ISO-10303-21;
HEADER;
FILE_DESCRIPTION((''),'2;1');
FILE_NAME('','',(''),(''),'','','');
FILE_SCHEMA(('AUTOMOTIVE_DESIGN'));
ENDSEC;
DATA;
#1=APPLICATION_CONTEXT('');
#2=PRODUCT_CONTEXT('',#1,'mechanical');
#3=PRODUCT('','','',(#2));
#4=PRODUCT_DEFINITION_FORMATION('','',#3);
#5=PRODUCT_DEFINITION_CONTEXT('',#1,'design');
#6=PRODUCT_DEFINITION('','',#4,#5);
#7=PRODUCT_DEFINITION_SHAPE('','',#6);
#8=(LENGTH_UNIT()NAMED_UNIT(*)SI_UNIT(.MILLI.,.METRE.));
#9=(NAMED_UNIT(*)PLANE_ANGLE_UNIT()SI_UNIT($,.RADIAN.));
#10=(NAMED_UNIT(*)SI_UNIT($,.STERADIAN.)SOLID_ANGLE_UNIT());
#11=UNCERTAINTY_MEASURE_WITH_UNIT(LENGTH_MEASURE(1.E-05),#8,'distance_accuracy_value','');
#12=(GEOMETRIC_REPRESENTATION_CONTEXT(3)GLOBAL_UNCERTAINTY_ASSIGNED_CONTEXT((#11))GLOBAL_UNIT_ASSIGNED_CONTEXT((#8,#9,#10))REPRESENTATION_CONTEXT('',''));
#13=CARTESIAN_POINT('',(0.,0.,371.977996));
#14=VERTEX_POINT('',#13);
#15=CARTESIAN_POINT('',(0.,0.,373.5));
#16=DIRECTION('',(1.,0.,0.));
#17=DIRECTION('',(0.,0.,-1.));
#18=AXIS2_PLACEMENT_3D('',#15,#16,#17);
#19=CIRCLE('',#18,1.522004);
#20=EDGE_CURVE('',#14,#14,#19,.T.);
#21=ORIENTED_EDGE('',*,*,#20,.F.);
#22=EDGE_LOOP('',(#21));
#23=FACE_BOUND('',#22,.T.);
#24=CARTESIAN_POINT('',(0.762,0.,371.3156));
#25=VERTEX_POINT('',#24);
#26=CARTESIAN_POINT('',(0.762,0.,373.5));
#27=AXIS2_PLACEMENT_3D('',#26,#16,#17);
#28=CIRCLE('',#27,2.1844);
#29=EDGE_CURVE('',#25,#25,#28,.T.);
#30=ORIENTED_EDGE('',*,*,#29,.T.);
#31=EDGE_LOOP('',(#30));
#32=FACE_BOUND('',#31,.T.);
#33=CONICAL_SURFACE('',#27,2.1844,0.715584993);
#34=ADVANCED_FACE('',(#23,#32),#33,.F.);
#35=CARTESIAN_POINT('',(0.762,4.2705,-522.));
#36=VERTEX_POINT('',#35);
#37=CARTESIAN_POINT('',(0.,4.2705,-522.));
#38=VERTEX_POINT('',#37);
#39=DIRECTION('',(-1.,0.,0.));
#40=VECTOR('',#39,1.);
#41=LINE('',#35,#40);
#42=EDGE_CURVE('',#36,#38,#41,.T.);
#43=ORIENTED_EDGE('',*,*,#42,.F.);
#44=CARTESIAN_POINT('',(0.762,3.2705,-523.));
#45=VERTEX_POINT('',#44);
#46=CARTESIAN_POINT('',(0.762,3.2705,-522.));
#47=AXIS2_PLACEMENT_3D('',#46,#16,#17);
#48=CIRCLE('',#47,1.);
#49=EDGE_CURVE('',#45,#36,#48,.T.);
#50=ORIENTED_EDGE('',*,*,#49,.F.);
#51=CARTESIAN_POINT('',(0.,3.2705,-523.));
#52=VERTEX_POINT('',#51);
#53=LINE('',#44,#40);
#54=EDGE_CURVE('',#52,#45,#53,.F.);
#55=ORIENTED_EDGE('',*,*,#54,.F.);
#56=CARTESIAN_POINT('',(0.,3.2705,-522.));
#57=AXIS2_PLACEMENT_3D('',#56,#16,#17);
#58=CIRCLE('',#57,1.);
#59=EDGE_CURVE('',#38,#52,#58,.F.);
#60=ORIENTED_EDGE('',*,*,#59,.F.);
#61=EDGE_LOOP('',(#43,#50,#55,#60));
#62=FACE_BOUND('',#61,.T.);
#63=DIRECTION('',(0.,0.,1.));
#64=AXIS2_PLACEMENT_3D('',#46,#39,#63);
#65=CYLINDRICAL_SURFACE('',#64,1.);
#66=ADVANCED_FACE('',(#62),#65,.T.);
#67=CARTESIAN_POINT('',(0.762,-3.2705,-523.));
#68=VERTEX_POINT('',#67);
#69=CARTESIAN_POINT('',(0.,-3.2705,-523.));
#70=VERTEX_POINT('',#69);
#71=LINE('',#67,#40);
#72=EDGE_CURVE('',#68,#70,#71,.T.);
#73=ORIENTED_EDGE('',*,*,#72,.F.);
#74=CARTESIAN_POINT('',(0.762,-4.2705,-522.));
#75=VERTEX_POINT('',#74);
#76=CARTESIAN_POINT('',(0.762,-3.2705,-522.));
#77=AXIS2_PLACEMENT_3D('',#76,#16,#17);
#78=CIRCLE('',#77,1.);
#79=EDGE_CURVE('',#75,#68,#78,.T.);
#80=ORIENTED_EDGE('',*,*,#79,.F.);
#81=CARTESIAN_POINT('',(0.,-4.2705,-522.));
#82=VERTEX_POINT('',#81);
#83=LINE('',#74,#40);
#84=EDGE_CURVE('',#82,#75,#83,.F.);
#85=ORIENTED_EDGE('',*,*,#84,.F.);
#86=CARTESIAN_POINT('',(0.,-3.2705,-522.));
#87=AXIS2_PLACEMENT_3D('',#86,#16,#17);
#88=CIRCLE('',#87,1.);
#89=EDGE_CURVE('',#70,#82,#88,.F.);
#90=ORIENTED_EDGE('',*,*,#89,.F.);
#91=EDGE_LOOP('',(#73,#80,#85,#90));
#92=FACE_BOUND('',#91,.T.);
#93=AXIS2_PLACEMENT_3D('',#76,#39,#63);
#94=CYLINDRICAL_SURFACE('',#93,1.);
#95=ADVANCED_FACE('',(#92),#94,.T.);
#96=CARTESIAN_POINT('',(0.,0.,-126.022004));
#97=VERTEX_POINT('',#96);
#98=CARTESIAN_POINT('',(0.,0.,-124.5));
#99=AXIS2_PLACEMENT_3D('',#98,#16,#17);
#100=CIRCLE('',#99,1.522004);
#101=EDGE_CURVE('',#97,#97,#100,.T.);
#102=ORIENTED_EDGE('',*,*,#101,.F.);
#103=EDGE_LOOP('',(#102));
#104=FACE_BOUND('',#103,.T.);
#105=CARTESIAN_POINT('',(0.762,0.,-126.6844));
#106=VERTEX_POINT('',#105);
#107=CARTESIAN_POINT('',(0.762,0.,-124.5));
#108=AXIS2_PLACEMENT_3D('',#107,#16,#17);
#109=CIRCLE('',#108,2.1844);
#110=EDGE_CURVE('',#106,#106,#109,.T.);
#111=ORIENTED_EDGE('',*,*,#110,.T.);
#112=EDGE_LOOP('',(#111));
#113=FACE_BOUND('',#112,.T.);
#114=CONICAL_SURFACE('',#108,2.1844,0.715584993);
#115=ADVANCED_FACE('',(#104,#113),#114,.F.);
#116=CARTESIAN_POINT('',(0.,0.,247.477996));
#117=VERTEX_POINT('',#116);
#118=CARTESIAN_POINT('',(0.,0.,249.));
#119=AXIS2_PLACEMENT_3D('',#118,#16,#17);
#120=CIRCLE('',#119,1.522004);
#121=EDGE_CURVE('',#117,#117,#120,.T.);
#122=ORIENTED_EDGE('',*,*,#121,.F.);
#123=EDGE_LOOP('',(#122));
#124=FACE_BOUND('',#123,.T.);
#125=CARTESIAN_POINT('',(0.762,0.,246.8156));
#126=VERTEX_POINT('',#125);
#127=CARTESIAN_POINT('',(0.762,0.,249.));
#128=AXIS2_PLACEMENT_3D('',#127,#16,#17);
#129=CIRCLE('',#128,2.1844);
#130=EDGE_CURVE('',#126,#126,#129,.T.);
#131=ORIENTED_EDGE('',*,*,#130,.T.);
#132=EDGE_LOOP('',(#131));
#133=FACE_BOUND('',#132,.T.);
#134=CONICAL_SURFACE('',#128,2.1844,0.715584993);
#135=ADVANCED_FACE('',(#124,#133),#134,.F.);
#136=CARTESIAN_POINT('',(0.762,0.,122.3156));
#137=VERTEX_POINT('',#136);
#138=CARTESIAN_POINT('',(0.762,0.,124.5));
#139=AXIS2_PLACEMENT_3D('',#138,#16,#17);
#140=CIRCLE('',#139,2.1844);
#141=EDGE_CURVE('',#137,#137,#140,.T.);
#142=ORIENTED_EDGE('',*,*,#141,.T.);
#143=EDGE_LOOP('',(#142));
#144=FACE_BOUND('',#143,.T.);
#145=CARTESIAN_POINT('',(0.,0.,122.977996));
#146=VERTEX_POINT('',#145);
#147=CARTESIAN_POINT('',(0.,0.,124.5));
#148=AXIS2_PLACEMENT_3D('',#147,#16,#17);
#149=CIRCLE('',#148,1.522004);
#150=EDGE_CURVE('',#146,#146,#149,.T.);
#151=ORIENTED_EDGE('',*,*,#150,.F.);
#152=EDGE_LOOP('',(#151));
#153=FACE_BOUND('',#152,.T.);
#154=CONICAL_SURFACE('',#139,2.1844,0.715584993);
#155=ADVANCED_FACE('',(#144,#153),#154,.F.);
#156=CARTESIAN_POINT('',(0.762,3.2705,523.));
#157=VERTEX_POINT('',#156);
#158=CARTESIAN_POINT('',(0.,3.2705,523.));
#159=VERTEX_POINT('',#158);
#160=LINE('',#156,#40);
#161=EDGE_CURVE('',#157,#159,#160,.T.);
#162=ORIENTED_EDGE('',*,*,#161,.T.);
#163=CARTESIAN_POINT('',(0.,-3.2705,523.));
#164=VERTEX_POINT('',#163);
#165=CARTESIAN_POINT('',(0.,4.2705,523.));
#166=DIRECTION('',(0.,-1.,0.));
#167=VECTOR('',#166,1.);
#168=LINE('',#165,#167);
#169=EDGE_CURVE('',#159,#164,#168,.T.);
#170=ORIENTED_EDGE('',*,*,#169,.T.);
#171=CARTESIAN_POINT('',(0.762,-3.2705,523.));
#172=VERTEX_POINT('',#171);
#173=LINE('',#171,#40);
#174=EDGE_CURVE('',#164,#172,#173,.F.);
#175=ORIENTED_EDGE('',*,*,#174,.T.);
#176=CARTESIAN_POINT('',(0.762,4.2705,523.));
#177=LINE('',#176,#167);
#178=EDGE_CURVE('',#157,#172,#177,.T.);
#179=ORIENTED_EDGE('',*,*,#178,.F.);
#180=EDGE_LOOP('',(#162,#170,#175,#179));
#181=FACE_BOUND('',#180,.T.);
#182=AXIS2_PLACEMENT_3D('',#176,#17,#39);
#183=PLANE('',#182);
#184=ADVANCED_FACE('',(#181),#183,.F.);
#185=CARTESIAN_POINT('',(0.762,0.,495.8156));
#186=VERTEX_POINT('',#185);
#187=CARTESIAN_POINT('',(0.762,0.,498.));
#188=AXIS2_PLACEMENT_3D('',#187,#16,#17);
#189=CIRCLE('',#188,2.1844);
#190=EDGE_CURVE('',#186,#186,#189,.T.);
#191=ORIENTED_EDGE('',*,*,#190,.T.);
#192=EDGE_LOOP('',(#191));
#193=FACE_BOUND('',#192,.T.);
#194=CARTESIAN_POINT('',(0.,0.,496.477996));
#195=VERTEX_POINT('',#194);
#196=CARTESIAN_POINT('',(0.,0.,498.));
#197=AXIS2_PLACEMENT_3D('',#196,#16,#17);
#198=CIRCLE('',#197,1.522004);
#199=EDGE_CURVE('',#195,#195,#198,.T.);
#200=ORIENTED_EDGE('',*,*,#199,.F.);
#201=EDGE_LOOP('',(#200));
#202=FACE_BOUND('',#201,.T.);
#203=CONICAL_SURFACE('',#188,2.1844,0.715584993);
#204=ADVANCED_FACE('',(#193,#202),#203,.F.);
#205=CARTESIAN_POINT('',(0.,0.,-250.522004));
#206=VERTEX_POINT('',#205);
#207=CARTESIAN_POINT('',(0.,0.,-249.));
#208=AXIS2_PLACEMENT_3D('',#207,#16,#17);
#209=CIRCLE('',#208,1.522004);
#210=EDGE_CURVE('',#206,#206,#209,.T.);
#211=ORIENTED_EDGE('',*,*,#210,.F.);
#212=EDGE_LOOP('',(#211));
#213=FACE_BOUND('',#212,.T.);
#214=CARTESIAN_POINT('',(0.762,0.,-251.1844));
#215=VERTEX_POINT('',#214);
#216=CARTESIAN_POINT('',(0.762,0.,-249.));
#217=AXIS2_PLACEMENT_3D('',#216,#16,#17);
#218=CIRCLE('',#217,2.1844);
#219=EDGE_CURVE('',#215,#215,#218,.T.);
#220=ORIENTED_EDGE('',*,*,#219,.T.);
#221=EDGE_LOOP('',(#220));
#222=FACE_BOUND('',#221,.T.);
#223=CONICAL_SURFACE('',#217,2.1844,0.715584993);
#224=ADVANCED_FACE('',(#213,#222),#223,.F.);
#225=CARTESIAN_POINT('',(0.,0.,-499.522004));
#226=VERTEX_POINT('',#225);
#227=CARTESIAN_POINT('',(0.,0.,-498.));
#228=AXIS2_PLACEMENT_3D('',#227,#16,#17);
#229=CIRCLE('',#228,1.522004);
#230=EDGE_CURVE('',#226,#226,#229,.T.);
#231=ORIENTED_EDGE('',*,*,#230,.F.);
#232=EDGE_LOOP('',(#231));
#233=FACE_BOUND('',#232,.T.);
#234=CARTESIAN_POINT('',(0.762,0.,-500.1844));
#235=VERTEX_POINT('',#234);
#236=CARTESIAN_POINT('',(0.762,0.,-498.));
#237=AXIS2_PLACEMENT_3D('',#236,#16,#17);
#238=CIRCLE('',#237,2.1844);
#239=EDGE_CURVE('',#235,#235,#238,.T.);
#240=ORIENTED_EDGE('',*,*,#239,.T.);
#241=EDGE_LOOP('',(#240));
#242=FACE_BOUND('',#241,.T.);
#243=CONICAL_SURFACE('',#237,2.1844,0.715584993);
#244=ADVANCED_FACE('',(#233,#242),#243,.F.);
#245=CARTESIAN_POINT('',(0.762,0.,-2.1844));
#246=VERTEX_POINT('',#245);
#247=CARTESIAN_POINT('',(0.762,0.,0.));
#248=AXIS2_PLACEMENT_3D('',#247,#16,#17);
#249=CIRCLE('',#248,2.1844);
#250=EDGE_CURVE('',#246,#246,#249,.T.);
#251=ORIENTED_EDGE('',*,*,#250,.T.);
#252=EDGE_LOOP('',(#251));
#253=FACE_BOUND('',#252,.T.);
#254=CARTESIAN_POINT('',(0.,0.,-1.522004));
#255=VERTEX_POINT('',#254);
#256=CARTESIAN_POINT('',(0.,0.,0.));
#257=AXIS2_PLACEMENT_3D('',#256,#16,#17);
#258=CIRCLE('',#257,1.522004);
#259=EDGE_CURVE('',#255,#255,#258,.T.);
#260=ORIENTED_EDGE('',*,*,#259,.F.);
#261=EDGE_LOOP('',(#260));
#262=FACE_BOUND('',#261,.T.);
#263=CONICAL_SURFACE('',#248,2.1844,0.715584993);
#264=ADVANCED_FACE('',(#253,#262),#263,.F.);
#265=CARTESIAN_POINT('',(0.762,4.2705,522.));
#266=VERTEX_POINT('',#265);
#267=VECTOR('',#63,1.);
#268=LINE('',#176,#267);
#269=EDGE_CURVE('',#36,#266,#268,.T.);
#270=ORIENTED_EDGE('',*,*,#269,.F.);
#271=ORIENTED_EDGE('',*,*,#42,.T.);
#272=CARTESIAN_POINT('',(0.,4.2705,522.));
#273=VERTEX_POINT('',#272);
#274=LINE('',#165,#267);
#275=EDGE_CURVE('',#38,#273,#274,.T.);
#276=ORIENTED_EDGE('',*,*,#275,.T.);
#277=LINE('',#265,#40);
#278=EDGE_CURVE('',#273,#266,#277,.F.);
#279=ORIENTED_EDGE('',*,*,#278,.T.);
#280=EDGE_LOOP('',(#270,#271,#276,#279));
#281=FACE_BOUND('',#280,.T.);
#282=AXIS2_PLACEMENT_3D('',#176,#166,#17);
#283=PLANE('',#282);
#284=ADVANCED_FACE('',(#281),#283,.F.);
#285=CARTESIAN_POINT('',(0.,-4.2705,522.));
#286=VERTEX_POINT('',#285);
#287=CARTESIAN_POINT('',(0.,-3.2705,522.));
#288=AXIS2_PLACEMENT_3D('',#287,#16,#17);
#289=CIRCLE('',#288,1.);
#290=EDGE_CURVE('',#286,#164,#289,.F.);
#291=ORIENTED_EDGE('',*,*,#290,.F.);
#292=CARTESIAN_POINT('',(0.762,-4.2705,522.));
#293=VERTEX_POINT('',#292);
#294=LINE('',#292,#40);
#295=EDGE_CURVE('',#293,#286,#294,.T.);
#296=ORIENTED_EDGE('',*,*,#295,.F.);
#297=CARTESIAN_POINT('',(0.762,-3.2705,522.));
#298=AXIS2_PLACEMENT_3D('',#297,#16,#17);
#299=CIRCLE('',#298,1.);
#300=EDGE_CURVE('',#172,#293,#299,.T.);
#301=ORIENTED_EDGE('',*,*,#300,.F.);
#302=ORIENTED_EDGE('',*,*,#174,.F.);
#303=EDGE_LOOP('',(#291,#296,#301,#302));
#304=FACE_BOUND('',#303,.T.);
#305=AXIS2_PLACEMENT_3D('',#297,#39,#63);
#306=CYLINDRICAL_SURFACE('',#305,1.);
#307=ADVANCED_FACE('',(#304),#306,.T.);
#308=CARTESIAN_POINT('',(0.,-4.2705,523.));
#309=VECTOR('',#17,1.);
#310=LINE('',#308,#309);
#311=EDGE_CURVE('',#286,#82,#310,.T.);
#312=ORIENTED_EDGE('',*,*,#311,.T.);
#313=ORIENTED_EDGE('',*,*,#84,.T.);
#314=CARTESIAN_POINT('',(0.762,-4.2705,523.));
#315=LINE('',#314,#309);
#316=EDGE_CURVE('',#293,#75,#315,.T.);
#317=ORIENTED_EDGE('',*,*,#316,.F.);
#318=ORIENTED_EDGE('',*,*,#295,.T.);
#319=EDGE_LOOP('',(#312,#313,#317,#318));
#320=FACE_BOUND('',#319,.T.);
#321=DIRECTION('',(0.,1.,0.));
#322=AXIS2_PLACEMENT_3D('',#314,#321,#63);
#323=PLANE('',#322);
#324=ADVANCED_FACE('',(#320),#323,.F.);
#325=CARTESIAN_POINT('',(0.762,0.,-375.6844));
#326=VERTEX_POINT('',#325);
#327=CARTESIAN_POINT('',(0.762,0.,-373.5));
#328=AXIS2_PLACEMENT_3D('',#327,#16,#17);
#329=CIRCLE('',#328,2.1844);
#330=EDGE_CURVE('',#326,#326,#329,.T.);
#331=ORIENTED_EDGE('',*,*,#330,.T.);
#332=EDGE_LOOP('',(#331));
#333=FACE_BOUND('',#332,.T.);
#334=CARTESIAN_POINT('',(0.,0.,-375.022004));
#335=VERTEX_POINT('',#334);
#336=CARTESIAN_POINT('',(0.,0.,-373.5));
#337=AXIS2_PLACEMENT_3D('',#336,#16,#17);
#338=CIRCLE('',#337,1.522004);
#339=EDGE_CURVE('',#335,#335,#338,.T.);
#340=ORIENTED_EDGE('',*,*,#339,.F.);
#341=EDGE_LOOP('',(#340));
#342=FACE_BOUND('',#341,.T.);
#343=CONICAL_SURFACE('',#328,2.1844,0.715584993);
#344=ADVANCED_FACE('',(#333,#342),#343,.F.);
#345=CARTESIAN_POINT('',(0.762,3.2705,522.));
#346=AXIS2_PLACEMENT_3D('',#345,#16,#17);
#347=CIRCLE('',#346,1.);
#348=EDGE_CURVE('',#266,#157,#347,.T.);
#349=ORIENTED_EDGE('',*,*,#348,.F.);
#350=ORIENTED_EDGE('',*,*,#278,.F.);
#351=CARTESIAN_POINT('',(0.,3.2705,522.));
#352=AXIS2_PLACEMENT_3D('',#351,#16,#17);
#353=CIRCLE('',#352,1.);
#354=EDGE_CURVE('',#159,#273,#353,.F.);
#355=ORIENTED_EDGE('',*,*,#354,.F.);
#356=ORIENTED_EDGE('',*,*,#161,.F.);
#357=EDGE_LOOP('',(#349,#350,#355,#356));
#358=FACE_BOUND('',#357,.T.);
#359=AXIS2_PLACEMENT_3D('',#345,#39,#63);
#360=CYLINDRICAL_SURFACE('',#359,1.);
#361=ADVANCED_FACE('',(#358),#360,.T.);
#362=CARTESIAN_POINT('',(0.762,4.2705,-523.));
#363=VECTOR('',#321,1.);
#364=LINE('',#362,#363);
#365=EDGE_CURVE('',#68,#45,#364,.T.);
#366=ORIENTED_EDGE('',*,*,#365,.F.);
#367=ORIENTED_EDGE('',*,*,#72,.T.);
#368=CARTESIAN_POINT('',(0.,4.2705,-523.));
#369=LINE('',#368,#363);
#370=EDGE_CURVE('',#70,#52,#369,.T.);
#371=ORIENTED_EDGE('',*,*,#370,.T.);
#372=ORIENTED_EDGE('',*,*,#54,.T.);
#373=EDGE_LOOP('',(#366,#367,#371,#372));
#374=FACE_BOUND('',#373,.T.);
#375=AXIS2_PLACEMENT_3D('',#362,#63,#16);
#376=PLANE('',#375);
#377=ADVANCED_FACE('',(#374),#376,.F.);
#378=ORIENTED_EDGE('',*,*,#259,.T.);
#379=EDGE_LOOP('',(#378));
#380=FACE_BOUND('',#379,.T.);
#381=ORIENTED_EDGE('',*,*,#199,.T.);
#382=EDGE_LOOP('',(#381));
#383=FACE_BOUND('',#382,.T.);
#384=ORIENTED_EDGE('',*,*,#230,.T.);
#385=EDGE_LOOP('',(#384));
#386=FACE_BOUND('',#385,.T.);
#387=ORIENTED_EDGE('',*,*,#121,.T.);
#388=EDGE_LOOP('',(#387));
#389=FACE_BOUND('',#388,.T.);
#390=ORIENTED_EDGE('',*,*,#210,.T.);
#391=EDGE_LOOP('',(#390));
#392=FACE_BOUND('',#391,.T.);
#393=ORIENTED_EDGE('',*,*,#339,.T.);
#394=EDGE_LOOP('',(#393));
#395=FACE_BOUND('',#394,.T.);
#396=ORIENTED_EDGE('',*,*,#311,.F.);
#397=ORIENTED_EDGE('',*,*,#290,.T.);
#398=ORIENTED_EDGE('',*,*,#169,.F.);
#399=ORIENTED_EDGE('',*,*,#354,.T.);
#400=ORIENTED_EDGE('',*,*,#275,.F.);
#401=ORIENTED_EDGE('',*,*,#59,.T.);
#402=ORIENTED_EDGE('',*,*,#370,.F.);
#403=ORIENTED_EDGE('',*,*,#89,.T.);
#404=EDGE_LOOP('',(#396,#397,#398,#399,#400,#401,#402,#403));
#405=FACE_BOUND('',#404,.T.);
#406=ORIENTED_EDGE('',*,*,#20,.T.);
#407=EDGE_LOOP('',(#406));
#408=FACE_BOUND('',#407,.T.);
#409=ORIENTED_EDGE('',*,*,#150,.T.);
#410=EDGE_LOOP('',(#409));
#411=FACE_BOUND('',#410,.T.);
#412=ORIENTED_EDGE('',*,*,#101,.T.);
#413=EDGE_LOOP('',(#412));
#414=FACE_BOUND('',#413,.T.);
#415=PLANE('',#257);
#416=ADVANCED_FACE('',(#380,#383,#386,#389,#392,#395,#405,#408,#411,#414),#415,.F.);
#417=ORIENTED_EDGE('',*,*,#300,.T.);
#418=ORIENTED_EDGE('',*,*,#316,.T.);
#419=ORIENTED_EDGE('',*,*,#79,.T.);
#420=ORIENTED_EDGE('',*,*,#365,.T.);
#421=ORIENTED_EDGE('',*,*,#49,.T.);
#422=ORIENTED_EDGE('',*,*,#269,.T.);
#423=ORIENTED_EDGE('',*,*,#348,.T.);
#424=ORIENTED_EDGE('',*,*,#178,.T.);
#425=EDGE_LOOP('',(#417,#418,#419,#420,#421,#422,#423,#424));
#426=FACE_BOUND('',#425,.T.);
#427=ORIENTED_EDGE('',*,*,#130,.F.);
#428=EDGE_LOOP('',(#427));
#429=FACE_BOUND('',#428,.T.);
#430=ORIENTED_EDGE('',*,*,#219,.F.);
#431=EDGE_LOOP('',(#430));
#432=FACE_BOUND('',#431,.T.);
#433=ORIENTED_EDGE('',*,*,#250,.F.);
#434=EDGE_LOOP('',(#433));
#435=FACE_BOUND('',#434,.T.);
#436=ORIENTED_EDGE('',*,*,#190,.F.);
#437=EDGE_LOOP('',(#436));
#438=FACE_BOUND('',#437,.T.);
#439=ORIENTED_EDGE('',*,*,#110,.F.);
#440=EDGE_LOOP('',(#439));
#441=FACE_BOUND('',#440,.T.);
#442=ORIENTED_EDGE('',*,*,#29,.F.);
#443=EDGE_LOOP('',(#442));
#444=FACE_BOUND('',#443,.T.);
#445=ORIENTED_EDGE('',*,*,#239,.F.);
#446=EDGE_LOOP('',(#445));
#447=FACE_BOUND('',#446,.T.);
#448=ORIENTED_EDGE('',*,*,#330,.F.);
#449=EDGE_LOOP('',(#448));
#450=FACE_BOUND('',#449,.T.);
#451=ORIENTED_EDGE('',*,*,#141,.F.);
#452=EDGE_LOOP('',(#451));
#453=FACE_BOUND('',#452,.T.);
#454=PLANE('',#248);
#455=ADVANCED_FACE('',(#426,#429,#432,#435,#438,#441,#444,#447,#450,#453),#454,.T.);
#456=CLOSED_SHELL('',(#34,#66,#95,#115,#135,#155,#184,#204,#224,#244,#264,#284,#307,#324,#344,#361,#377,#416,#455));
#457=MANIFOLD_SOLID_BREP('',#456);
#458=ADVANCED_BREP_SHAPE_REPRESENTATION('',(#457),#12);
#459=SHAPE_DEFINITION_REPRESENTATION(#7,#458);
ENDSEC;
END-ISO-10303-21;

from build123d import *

# Parameters (mm, degrees)
SKETCH1_W           = 1046
SKETCH1_H           = 8.541
BOSS_EXTRUDE1_DEPTH = 0.762
LPATTERN1_COUNT     = 9
LPATTERN1_PITCH     = 124.5
FILLET2_R           = 1


with BuildPart() as part:
    # Sketch1 → Boss-Extrude1 (new body)
    with BuildSketch(Plane(origin=(0, 0, 0), x_dir=(0, 0, -1), z_dir=(1, 0, 0))):
        Rectangle(SKETCH1_W, SKETCH1_H)
    extrude(amount=BOSS_EXTRUDE1_DEPTH)

    # Sketch2 → CSK for #2 Flat Head Machine Screw1 (revolve, cut)
    with BuildSketch(Plane(origin=(0.762, 0, 498), x_dir=(0, 0, -1), z_dir=(0, 1, 0))):
        Polygon((0, 0), (0, 0.762), (1.2192, 0.762), (1.2192, 1.110335587), (2.1844, 0), align=None)
    csk_for_2_flat_head_machine_screw1 = revolve(axis=Axis((7.112, 0, 498), (-1, 0, 0)), mode=Mode.SUBTRACT)

    # LPattern1: CSK for #2 Flat Head Machine Screw1 ×9
    with Locations(*[(0, 0, -i * LPATTERN1_PITCH) for i in range(1, LPATTERN1_COUNT)]):
        add(csk_for_2_flat_head_machine_screw1, mode=Mode.SUBTRACT)

    # Fillet2
    fillet2_edges = [part.edges().sort_by_distance(p)[0] for p in [
        (0.381, -4.2705, -523),
        (0.381, -4.2705, 523),
        (0.381, 4.2705, 523),
        (0.381, 4.2705, -523),
    ]]
    fillet(fillet2_edges, radius=FILLET2_R)


solid = part.part
